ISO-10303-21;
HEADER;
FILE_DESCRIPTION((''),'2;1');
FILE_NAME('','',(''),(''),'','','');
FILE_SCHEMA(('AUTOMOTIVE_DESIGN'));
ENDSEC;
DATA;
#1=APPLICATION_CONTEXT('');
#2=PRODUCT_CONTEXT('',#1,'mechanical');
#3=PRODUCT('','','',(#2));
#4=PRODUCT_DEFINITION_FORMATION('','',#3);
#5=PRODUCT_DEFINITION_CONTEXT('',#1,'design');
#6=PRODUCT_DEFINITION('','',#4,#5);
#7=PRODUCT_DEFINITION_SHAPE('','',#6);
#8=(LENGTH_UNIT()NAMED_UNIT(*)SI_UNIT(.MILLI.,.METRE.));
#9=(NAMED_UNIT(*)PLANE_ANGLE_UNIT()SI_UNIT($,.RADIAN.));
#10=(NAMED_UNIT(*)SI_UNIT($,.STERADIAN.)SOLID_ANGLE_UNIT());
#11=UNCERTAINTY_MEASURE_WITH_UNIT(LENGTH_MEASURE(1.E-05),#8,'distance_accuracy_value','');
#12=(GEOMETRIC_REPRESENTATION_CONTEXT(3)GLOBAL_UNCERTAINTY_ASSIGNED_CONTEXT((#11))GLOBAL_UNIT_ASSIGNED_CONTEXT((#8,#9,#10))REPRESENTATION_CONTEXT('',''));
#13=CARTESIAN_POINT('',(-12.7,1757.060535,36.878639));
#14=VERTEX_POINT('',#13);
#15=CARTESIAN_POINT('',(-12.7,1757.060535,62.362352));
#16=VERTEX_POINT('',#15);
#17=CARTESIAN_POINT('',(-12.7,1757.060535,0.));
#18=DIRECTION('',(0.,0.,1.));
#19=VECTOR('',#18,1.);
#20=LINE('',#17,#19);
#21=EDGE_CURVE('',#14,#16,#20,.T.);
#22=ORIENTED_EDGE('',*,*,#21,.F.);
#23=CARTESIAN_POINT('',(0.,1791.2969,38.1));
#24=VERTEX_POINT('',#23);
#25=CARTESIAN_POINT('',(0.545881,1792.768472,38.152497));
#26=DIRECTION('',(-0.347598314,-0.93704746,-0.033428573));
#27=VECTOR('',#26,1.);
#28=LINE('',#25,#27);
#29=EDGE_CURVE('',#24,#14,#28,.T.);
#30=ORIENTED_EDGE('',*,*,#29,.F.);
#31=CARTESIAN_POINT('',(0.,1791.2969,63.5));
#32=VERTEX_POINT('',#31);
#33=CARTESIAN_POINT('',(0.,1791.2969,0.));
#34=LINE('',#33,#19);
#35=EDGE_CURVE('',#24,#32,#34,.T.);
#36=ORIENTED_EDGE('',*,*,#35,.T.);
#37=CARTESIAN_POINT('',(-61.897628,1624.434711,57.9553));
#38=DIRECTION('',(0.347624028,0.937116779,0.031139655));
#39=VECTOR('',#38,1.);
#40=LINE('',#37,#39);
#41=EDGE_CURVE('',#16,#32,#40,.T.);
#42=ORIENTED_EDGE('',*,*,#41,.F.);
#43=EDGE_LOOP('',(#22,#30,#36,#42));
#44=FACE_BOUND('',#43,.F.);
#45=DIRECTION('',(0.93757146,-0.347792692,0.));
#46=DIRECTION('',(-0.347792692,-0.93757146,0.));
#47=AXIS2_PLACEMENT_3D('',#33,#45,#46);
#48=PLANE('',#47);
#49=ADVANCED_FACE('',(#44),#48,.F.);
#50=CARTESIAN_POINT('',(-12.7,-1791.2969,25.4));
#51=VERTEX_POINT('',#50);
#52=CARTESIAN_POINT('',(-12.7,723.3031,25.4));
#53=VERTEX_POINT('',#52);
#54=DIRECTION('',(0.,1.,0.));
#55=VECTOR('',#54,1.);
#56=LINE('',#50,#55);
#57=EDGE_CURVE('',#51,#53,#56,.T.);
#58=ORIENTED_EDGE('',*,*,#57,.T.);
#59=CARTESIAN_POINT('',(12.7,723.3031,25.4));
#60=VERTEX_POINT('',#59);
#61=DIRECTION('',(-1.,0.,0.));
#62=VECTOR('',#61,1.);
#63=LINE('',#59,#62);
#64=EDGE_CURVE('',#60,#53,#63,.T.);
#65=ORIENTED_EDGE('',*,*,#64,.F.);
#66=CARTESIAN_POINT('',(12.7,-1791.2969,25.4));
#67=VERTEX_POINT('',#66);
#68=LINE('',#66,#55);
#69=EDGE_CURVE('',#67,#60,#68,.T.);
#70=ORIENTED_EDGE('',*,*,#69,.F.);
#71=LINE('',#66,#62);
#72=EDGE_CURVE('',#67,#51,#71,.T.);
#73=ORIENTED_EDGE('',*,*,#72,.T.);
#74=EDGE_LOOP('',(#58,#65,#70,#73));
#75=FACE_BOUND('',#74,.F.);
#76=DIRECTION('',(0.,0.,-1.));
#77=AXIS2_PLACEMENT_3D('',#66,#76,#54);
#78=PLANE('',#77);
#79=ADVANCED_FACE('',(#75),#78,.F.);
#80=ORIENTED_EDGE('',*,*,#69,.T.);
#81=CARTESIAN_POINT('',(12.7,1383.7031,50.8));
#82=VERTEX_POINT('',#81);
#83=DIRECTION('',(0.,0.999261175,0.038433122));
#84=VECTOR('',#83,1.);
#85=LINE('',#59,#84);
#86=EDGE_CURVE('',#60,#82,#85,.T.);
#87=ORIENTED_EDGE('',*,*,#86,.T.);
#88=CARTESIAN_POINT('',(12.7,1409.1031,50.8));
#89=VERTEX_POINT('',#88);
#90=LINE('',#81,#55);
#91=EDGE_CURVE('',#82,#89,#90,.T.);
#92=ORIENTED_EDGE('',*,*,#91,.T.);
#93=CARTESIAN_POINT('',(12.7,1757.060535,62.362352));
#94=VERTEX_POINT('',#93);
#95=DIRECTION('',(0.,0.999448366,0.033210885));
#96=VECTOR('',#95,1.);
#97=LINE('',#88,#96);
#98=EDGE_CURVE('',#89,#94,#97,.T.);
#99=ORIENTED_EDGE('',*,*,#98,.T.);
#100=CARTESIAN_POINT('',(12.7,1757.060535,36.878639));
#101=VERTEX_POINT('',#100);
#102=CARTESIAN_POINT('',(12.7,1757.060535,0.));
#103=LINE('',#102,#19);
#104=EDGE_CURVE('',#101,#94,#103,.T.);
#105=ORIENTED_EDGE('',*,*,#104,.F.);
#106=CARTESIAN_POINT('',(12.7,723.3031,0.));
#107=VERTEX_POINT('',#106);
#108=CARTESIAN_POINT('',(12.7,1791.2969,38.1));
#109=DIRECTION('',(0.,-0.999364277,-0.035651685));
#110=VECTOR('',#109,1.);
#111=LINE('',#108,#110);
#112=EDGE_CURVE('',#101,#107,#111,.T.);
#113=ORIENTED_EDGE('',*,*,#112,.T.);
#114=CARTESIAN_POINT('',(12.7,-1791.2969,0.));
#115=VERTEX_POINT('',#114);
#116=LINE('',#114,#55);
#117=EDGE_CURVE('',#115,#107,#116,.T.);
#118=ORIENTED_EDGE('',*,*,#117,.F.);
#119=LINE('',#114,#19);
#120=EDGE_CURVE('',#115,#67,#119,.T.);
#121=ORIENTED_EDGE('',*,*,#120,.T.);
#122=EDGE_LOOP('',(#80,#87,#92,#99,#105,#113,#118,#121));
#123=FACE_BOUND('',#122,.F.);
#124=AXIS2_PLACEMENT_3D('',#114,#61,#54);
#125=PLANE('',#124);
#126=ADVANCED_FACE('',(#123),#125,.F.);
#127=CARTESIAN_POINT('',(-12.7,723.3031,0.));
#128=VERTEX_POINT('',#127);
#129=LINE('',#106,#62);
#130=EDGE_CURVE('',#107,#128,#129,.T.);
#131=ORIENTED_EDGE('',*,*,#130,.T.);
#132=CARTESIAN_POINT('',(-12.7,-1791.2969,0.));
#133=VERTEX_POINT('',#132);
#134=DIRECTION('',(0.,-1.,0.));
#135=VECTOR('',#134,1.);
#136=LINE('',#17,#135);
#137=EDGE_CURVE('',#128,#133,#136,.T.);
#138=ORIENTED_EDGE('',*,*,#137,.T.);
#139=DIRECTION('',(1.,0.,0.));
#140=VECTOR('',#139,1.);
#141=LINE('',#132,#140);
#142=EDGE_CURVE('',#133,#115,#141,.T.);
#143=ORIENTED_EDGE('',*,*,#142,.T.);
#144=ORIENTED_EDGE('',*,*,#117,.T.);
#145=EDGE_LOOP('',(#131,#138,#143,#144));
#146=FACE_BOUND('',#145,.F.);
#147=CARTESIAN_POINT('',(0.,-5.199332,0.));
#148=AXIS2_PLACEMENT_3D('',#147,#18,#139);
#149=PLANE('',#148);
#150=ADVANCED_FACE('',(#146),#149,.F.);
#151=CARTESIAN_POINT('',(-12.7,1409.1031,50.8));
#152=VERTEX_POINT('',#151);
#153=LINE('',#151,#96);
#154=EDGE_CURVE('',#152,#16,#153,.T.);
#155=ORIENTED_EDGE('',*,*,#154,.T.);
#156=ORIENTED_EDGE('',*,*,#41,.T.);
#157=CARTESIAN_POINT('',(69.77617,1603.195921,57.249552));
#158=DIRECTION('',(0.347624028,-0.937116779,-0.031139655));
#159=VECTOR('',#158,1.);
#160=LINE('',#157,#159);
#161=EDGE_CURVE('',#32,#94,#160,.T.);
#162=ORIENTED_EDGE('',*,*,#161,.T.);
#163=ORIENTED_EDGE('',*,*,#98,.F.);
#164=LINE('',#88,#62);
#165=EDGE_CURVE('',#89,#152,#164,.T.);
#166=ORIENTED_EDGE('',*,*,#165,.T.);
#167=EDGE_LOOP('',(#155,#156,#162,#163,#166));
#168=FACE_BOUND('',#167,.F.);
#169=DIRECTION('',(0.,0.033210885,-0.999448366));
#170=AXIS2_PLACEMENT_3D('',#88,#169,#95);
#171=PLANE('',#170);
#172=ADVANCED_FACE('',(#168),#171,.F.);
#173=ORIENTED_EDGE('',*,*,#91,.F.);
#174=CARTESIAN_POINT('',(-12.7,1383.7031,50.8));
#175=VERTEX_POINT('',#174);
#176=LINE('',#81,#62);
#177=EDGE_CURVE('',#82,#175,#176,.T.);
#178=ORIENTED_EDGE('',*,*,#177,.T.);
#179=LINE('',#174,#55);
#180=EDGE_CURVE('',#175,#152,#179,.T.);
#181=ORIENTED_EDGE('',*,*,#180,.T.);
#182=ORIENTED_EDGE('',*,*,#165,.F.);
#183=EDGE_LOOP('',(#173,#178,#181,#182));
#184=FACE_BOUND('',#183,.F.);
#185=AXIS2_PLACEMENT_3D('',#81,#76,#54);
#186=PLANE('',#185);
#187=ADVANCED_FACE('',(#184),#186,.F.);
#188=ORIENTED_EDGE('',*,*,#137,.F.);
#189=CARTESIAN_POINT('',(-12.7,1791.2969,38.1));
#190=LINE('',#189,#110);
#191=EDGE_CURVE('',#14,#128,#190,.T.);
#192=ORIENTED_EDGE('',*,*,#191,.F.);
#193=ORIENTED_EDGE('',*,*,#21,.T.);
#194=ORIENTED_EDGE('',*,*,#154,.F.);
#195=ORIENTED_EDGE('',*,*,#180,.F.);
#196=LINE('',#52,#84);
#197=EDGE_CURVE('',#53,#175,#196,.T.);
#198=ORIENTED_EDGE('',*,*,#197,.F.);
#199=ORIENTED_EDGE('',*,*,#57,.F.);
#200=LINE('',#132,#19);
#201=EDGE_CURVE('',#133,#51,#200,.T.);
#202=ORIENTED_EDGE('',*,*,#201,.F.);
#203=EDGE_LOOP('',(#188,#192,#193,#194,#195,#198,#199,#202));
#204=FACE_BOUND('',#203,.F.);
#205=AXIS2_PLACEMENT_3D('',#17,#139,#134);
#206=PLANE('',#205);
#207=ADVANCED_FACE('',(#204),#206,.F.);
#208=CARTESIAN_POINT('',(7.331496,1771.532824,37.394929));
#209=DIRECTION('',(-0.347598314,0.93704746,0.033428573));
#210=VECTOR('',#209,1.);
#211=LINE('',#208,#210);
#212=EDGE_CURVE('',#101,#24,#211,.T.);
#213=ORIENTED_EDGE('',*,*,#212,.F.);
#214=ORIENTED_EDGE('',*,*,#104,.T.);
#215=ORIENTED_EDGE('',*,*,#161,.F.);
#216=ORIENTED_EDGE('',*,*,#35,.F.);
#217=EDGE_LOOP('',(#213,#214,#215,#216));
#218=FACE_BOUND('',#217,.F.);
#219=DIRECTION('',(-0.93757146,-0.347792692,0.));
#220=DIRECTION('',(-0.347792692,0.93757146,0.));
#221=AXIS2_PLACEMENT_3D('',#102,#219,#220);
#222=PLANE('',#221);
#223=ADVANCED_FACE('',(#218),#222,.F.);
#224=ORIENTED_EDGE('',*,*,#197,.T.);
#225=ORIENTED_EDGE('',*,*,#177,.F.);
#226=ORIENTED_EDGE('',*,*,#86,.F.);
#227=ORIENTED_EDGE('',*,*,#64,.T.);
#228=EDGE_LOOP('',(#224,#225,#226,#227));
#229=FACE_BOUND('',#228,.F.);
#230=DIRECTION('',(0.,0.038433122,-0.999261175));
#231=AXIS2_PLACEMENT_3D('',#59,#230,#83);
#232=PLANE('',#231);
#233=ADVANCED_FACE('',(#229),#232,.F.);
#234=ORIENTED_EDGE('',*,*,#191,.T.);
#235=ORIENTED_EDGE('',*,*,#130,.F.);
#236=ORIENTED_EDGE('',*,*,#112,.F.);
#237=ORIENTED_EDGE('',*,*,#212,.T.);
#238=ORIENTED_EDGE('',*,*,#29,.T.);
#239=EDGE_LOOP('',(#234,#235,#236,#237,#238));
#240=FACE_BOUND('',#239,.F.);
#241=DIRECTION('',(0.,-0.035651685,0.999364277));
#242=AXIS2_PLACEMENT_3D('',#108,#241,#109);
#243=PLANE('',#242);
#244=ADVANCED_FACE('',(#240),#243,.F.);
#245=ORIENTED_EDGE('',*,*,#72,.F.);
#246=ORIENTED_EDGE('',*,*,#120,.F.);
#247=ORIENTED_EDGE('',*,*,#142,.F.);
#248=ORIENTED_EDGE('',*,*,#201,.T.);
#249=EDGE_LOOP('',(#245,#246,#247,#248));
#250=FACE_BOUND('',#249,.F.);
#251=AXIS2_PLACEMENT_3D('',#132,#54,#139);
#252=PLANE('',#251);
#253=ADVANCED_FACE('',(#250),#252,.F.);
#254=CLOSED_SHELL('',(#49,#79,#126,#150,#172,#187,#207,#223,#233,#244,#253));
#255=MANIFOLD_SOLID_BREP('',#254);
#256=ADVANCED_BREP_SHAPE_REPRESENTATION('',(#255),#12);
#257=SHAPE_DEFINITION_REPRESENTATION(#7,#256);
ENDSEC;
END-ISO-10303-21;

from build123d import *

# Parameters (mm, degrees)
F1_DEPTH = 63.5
F3_DEPTH = 25.4


with BuildPart() as f1:
    # F0 (on Top) → F1 (new body)
    with BuildSketch(Plane.XY):
        Polygon((-12.7, -1791.2969), (0, -1791.2969), (12.7, -1791.2969), (12.7, 1757.060535), (0, 1791.2969), (-12.7, 1757.060535), align=None)
    extrude(amount=F1_DEPTH)

    # F2 (on face) → F3 (cut)
    with BuildSketch(Plane.YZ.offset(12.7)):
        Polygon((1791.2969, 63.5), (-1791.2969, 63.5), (-1791.2969, 25.4), (723.3031, 25.4), (1383.7031, 50.8), (1409.1031, 50.8), align=None)
        Polygon((1791.2969, 38.1), (723.3031, 0), (1791.2969, 0), align=None)
    extrude(amount=-F3_DEPTH, mode=Mode.SUBTRACT)


solid = f1.part
